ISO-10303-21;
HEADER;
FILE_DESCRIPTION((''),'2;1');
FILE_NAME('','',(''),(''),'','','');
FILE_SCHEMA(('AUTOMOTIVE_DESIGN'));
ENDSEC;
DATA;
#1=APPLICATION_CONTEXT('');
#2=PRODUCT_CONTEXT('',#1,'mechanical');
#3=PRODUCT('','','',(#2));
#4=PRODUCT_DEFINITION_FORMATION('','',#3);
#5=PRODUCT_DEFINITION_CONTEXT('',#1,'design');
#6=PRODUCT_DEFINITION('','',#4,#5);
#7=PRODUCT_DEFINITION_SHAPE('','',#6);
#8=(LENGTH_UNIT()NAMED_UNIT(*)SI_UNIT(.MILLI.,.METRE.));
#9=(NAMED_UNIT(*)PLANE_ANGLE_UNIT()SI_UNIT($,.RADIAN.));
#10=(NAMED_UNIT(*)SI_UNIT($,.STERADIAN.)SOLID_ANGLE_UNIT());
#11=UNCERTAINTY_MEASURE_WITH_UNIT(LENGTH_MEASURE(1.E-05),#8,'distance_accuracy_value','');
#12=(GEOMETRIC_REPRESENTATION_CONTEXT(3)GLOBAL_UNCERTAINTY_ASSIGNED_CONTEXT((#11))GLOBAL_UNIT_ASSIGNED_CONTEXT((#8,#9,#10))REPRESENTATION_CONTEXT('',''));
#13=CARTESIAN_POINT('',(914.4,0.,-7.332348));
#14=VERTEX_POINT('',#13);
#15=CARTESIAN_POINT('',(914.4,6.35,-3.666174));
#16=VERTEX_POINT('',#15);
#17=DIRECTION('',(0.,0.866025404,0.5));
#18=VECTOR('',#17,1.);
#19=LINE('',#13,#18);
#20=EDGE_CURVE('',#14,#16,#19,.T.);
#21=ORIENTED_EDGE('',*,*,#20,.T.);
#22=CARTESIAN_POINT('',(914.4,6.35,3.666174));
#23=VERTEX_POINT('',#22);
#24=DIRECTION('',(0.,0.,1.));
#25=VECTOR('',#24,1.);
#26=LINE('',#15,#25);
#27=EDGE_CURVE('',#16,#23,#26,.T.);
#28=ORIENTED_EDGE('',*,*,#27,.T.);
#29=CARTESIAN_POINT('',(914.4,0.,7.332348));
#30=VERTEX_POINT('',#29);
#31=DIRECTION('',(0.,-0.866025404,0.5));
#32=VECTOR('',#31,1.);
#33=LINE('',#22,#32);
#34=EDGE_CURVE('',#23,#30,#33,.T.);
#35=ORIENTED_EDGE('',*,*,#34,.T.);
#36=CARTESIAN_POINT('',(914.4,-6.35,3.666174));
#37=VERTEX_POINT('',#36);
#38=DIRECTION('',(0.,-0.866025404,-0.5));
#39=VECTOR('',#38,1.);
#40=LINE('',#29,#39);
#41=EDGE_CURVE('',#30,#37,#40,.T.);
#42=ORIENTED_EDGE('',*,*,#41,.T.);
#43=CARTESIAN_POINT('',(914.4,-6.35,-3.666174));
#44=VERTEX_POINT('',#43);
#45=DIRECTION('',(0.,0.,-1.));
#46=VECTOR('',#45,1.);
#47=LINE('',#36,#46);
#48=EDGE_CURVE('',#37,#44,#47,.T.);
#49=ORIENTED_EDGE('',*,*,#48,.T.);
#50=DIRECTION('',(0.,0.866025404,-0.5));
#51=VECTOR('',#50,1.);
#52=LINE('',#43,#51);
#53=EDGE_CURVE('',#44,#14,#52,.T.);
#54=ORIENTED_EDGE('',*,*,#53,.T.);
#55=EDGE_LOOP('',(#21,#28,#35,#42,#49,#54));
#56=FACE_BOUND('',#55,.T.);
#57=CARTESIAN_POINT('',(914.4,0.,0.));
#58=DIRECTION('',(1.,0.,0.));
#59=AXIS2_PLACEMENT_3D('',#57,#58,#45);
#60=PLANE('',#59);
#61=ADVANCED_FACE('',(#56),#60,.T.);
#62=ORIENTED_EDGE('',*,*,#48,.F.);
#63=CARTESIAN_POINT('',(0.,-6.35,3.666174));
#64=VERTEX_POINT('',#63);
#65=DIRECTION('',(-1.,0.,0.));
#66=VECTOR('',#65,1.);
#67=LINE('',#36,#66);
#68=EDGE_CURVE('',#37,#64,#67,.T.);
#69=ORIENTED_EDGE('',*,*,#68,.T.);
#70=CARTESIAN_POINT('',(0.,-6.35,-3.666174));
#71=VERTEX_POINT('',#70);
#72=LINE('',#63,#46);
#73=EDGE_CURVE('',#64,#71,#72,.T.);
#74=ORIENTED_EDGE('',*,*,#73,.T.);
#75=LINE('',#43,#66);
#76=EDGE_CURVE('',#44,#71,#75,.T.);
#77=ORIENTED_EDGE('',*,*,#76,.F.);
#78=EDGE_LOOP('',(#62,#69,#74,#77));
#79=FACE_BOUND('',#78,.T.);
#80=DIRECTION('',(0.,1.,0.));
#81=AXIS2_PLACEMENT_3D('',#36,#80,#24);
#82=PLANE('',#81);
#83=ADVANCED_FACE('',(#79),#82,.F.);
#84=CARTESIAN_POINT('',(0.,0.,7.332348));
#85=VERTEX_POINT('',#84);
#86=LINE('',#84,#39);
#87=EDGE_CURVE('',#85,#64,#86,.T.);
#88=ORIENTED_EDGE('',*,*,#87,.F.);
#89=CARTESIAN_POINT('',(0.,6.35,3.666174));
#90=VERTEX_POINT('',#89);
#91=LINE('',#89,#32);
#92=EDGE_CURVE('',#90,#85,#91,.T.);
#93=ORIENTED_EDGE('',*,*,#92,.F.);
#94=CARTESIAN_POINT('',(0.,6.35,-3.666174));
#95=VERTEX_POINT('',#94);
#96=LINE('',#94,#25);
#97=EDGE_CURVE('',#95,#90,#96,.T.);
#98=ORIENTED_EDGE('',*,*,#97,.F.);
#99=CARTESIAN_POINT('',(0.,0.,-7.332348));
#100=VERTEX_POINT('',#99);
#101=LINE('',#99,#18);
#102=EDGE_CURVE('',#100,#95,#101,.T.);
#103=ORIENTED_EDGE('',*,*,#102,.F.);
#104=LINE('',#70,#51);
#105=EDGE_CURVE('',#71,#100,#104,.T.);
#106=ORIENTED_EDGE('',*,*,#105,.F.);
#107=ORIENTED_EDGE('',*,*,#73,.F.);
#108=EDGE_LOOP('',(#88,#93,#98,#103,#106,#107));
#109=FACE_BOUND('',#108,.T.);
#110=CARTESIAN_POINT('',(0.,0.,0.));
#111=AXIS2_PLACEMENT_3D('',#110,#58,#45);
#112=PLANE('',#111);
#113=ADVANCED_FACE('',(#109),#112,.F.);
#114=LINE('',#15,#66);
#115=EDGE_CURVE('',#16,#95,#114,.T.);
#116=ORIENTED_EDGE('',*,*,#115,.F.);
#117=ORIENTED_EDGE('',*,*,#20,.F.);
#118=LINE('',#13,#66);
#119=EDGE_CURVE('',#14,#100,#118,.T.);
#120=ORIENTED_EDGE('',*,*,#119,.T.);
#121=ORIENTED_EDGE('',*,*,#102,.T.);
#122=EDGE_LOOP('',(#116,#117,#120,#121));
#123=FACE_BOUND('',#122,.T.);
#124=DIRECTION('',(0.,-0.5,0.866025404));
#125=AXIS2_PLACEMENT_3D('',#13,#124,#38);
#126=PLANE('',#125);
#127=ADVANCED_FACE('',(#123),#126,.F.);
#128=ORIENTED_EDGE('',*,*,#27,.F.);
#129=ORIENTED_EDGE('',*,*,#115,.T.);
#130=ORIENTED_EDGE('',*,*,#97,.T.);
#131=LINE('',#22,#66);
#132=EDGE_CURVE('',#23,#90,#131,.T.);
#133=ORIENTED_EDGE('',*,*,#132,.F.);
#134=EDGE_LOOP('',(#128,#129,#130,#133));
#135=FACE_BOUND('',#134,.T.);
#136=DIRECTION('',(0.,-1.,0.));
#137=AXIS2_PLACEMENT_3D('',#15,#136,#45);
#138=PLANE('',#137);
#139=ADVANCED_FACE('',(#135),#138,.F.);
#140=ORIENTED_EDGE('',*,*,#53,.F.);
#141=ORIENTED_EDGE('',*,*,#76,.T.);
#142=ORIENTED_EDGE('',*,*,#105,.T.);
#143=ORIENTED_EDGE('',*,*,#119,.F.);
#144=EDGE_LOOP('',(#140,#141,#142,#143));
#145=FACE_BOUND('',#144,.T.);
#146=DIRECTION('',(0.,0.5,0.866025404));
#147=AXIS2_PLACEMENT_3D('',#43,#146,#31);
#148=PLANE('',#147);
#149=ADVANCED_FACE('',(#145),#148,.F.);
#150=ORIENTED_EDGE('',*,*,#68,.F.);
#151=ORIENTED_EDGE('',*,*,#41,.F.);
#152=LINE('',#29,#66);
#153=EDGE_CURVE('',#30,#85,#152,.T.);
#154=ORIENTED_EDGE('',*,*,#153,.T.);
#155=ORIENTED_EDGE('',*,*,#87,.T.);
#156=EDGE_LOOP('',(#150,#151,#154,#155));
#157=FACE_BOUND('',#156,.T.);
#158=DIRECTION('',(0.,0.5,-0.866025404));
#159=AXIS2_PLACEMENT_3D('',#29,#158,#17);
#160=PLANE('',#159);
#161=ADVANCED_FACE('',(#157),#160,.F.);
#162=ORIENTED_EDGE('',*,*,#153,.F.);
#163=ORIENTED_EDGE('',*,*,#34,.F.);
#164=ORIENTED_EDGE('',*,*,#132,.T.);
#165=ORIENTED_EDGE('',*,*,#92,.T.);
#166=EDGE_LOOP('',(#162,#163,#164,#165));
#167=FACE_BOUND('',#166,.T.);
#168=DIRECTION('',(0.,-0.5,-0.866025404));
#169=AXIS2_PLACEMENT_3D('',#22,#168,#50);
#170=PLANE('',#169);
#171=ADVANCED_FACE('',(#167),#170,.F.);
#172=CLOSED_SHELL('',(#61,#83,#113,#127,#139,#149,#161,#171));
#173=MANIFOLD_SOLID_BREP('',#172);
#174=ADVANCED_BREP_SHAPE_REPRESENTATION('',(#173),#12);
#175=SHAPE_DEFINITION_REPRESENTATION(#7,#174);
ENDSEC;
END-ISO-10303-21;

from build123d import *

# Parameters (mm, degrees)
BOSS_EXTRUDE1_DEPTH = 914.4


with BuildPart() as part:
    # Sketch1 → Boss-Extrude1 (new body)
    with BuildSketch(Plane(origin=(0, 0, 0), x_dir=(0, 0, -1), z_dir=(1, 0, 0))):
        Polygon((7.332348419, 0), (3.666174209, 6.35), (-3.666174209, 6.35), (-7.332348419, 0), (-3.666174209, -6.35), (3.666174209, -6.35), align=None)
    extrude(amount=BOSS_EXTRUDE1_DEPTH)


solid = part.part
